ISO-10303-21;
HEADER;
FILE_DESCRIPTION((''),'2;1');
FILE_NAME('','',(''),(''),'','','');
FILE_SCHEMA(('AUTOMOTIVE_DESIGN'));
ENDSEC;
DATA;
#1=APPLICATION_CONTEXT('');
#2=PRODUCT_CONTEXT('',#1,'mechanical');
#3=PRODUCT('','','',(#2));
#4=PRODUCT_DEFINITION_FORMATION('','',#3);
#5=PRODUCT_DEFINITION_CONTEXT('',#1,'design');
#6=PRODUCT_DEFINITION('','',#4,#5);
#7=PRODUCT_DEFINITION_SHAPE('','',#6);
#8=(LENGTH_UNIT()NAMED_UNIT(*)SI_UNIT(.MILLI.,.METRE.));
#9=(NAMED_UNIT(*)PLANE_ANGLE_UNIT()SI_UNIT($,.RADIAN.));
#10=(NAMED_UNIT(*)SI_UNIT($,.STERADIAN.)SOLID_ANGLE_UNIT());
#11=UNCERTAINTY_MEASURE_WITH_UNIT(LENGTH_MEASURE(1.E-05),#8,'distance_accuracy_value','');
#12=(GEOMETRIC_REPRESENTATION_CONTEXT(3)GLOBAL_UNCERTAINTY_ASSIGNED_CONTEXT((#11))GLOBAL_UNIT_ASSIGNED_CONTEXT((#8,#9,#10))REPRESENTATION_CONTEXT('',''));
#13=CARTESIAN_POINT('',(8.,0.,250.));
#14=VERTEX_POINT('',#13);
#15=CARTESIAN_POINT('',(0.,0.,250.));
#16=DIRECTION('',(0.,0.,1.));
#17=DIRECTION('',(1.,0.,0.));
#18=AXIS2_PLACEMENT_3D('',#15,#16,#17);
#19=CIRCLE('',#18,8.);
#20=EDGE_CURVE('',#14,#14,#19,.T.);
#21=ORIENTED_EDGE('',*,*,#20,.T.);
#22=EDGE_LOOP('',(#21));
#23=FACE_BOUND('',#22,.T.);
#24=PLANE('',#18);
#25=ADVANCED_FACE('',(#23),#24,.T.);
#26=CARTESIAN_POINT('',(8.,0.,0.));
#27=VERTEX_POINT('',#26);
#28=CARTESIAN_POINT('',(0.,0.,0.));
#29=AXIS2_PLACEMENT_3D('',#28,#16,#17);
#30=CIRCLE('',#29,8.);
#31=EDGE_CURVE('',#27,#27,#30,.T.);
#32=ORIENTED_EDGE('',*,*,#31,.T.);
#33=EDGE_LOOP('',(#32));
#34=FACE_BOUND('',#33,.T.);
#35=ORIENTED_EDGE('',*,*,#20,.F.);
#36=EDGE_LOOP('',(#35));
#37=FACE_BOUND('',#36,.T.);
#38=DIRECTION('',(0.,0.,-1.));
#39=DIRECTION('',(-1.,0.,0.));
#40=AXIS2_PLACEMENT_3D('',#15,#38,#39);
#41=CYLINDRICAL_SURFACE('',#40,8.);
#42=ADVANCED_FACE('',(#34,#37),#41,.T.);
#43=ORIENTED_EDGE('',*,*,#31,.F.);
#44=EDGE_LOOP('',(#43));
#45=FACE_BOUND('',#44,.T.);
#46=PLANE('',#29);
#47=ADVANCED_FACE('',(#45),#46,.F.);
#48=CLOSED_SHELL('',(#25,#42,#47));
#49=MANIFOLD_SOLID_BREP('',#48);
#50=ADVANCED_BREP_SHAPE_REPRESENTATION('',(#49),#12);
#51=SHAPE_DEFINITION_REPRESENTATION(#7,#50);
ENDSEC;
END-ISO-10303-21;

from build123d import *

# Parameters (mm, degrees)
IZIM1_R                     = 8
Y_KSEKLIK_EKSTR_ZYON1_DEPTH = 250


with BuildPart() as part:
    # Çizim1 → Yükseklik-Ekstrüzyon1 (new body)
    with BuildSketch(Plane.XY):
        Circle(IZIM1_R)
    extrude(amount=Y_KSEKLIK_EKSTR_ZYON1_DEPTH)


solid = part.part
